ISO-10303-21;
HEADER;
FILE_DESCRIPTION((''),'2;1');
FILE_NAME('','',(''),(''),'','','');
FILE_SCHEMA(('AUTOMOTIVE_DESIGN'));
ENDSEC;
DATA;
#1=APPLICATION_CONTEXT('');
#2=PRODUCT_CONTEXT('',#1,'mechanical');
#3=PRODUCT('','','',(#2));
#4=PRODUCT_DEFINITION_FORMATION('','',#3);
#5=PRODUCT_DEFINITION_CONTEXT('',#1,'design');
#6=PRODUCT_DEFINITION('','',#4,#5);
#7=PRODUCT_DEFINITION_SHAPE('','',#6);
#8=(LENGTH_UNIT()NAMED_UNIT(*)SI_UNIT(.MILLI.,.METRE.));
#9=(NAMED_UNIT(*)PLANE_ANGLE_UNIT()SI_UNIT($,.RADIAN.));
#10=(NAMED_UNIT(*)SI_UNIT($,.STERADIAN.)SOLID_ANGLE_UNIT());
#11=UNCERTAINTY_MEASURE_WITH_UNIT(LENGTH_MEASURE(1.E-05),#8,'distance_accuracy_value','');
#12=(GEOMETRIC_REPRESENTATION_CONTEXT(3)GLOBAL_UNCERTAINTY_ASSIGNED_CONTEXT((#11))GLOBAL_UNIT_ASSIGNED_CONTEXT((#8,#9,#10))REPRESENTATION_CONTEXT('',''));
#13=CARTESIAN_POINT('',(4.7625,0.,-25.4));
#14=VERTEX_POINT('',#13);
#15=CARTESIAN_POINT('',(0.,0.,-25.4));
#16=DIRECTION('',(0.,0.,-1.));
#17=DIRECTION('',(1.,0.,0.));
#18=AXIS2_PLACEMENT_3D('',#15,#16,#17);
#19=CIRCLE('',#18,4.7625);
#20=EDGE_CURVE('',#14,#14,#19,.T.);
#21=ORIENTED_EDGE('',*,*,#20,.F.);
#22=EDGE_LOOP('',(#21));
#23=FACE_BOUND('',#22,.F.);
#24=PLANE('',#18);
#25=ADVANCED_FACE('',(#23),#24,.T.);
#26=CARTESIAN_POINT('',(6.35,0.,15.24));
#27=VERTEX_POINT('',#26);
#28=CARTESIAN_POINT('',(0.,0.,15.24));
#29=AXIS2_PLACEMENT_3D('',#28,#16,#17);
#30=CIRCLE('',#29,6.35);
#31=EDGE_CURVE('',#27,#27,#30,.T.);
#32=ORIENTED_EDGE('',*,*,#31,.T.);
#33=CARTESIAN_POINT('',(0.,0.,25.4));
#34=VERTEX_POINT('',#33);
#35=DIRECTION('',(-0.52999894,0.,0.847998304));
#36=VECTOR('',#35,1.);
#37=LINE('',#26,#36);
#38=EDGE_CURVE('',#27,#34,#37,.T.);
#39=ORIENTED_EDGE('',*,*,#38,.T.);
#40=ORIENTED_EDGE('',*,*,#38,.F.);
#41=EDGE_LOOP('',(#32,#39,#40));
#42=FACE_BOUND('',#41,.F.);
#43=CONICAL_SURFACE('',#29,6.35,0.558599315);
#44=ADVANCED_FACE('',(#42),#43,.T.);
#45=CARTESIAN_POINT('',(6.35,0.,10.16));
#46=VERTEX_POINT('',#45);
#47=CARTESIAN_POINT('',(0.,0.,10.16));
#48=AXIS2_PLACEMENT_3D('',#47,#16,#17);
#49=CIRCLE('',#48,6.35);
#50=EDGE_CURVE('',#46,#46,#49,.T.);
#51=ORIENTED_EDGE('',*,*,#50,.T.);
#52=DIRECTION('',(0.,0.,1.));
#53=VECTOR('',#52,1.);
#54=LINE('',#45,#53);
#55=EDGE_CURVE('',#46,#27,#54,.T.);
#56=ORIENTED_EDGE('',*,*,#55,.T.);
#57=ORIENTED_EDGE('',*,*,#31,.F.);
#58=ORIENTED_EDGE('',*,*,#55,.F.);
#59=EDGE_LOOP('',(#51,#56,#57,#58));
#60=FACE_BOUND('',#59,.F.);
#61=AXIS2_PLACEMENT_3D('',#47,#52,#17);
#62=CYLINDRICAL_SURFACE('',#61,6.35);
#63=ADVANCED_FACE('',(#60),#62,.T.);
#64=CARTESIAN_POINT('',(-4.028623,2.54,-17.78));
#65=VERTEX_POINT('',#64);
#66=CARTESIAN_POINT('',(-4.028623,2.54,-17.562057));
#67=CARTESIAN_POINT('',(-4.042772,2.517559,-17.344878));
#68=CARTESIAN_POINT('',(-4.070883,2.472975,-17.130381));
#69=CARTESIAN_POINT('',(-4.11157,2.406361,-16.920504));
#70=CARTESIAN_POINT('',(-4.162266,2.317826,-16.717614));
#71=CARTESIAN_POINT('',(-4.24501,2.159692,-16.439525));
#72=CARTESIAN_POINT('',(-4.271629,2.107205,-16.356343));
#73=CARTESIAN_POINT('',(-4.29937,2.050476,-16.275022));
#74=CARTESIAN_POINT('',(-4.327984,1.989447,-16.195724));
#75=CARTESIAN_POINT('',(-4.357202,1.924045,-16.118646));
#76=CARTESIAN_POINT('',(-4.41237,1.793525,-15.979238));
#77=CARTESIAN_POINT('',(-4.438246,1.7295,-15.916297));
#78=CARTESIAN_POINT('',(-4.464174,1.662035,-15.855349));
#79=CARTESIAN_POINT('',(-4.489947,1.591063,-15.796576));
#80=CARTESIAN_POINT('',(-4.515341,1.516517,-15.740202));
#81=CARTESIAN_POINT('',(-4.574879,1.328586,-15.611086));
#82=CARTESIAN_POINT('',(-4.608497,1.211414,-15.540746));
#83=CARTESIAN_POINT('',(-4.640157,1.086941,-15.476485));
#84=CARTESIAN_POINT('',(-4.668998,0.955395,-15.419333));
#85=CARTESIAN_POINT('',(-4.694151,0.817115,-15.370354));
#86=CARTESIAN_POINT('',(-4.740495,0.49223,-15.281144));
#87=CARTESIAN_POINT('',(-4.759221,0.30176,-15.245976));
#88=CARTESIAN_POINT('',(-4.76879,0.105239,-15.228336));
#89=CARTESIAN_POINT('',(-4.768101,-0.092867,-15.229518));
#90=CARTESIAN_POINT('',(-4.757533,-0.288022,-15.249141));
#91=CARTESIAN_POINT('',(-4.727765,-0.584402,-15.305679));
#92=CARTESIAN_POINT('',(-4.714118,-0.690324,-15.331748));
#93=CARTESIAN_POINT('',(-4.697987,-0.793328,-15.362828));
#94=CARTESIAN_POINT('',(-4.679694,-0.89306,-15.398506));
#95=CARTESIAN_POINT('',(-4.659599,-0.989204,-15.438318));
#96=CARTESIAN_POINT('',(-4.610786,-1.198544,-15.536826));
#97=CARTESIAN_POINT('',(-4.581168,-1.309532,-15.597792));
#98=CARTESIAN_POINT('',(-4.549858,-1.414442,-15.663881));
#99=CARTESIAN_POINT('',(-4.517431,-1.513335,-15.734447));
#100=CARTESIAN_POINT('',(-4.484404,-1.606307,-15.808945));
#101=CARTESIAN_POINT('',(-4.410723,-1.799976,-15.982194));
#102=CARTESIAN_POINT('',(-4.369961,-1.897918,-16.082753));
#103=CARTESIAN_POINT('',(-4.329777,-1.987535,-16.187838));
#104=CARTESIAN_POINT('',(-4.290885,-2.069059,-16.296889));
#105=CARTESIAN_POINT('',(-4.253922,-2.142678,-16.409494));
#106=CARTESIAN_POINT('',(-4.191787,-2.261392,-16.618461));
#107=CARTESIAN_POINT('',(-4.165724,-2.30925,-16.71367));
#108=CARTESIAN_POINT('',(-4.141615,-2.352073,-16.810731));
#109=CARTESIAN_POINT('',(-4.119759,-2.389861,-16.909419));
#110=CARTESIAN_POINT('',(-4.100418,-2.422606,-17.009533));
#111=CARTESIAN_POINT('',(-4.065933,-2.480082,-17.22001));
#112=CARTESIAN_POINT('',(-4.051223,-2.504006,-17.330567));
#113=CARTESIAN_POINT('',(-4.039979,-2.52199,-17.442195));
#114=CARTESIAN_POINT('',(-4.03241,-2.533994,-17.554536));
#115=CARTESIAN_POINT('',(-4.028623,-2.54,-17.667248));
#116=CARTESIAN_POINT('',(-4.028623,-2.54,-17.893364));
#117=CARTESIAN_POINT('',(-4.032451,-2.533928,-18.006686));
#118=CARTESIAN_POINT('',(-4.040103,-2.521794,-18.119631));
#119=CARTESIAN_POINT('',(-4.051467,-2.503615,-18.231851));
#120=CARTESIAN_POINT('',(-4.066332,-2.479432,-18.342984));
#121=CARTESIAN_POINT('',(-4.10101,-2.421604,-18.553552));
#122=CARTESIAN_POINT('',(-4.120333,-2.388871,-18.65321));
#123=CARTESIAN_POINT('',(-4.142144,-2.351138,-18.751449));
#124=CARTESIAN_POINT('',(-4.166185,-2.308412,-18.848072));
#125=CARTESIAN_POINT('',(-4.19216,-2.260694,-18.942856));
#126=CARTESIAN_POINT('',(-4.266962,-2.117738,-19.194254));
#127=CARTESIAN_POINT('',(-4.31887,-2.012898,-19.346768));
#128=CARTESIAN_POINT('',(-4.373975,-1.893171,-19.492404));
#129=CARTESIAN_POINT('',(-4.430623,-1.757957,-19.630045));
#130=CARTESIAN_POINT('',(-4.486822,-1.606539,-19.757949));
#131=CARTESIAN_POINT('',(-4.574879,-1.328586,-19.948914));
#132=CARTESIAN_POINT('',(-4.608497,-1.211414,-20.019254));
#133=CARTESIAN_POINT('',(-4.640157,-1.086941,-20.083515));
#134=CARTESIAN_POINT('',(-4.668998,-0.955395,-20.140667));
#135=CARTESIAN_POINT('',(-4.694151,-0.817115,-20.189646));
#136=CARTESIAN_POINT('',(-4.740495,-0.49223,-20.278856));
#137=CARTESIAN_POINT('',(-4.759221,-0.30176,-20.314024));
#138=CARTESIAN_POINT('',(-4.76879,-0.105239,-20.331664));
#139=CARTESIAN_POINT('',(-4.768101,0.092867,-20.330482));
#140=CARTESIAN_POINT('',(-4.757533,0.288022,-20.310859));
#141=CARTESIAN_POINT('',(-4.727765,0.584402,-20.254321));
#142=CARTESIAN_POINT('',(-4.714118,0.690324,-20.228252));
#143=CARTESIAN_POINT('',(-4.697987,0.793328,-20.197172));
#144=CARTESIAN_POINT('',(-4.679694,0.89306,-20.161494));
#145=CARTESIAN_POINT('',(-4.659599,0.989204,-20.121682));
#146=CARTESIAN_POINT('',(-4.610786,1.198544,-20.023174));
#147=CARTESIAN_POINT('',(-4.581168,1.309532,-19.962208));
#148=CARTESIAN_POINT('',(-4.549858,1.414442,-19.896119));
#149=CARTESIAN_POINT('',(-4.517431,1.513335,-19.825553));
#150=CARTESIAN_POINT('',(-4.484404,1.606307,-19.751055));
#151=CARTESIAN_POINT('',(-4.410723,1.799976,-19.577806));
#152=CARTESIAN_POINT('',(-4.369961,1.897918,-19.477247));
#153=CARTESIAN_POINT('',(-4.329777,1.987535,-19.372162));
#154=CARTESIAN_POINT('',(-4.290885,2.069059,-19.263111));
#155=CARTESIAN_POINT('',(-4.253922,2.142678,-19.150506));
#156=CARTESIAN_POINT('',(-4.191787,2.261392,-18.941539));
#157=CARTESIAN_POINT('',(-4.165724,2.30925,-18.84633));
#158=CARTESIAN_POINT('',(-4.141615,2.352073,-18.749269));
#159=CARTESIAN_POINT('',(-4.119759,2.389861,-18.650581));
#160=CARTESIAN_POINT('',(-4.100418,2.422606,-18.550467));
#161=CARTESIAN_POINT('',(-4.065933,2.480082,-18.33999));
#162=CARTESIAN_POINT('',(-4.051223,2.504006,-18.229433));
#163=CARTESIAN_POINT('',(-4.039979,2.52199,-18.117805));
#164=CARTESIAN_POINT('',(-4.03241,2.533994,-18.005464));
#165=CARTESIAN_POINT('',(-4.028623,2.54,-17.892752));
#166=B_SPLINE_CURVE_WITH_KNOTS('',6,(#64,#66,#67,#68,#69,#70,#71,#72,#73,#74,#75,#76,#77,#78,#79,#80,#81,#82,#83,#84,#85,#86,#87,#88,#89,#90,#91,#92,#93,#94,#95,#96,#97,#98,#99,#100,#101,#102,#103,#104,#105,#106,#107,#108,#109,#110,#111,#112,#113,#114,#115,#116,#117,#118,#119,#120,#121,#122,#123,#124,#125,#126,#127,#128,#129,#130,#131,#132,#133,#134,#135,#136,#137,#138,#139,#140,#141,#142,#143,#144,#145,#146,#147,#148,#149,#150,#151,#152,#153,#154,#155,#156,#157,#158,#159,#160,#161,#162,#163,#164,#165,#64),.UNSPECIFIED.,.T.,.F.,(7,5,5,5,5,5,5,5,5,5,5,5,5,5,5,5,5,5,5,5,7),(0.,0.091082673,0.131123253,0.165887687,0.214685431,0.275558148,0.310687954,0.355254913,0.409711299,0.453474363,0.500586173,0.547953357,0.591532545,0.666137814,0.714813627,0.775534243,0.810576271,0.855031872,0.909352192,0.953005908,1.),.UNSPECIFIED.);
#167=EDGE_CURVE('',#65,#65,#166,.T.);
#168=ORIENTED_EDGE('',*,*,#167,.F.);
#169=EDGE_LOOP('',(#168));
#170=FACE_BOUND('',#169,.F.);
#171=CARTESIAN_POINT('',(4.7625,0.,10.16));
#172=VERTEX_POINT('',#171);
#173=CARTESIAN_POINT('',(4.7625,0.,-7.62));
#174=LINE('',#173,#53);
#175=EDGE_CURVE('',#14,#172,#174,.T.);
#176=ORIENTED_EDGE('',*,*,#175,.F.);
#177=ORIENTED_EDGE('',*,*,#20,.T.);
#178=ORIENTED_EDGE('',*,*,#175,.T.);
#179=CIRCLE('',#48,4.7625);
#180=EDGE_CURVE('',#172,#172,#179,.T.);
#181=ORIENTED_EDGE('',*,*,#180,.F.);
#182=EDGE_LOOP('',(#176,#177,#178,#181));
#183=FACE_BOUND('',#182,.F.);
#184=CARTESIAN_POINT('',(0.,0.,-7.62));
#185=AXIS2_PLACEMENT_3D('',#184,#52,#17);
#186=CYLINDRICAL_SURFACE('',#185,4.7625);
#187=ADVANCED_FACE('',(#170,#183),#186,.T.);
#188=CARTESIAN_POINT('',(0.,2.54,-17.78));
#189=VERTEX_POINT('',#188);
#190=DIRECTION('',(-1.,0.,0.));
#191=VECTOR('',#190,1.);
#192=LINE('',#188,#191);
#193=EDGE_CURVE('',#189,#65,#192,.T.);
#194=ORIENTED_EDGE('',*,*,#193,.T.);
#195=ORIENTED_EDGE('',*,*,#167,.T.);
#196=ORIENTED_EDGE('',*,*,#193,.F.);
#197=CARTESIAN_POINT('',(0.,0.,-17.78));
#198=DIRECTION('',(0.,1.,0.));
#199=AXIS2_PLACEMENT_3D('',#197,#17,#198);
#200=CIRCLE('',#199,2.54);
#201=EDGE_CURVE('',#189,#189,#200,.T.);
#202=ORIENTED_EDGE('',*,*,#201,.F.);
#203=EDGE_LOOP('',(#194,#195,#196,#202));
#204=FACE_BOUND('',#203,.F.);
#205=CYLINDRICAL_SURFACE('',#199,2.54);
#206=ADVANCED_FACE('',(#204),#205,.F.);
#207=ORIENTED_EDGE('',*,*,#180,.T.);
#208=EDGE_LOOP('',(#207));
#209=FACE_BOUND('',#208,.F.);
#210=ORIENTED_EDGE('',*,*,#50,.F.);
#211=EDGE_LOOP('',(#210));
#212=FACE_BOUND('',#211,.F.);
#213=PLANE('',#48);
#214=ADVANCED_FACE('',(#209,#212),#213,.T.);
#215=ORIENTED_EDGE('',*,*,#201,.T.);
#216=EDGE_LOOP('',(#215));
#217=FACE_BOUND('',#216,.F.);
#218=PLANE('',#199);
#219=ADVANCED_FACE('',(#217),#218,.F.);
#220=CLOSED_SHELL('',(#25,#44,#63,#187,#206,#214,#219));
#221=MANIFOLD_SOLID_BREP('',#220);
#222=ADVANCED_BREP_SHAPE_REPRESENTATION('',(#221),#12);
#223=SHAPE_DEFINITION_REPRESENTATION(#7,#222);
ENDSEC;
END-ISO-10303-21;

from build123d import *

# Parameters (mm, degrees)
F0_W     = 4.7625
F0_H     = 35.56
F2_R     = 2.54
F3_DEPTH = 7.62


with BuildPart() as f1:
    # F0 (on Front) → F1 (revolve)
    with BuildSketch(Plane.XZ):
        Polygon((0, 25.4), (0, 15.24), (6.35, 15.24), align=None)
        Polygon((0, 10.16), (4.7625, 10.16), (6.35, 10.16), (6.35, 15.24), (0, 15.24), align=None)
        with Locations((2.38125, -7.62)):
            Rectangle(F0_W, F0_H)
    revolve(axis=Axis((0, 0, 0), (0, 0, -1)))

    # F2 (on Right) → F3 (cut)
    with BuildSketch(Plane.YZ):
        with Locations((0, -17.78)):
            Circle(F2_R)
    extrude(amount=-F3_DEPTH, mode=Mode.SUBTRACT)


solid = f1.part
